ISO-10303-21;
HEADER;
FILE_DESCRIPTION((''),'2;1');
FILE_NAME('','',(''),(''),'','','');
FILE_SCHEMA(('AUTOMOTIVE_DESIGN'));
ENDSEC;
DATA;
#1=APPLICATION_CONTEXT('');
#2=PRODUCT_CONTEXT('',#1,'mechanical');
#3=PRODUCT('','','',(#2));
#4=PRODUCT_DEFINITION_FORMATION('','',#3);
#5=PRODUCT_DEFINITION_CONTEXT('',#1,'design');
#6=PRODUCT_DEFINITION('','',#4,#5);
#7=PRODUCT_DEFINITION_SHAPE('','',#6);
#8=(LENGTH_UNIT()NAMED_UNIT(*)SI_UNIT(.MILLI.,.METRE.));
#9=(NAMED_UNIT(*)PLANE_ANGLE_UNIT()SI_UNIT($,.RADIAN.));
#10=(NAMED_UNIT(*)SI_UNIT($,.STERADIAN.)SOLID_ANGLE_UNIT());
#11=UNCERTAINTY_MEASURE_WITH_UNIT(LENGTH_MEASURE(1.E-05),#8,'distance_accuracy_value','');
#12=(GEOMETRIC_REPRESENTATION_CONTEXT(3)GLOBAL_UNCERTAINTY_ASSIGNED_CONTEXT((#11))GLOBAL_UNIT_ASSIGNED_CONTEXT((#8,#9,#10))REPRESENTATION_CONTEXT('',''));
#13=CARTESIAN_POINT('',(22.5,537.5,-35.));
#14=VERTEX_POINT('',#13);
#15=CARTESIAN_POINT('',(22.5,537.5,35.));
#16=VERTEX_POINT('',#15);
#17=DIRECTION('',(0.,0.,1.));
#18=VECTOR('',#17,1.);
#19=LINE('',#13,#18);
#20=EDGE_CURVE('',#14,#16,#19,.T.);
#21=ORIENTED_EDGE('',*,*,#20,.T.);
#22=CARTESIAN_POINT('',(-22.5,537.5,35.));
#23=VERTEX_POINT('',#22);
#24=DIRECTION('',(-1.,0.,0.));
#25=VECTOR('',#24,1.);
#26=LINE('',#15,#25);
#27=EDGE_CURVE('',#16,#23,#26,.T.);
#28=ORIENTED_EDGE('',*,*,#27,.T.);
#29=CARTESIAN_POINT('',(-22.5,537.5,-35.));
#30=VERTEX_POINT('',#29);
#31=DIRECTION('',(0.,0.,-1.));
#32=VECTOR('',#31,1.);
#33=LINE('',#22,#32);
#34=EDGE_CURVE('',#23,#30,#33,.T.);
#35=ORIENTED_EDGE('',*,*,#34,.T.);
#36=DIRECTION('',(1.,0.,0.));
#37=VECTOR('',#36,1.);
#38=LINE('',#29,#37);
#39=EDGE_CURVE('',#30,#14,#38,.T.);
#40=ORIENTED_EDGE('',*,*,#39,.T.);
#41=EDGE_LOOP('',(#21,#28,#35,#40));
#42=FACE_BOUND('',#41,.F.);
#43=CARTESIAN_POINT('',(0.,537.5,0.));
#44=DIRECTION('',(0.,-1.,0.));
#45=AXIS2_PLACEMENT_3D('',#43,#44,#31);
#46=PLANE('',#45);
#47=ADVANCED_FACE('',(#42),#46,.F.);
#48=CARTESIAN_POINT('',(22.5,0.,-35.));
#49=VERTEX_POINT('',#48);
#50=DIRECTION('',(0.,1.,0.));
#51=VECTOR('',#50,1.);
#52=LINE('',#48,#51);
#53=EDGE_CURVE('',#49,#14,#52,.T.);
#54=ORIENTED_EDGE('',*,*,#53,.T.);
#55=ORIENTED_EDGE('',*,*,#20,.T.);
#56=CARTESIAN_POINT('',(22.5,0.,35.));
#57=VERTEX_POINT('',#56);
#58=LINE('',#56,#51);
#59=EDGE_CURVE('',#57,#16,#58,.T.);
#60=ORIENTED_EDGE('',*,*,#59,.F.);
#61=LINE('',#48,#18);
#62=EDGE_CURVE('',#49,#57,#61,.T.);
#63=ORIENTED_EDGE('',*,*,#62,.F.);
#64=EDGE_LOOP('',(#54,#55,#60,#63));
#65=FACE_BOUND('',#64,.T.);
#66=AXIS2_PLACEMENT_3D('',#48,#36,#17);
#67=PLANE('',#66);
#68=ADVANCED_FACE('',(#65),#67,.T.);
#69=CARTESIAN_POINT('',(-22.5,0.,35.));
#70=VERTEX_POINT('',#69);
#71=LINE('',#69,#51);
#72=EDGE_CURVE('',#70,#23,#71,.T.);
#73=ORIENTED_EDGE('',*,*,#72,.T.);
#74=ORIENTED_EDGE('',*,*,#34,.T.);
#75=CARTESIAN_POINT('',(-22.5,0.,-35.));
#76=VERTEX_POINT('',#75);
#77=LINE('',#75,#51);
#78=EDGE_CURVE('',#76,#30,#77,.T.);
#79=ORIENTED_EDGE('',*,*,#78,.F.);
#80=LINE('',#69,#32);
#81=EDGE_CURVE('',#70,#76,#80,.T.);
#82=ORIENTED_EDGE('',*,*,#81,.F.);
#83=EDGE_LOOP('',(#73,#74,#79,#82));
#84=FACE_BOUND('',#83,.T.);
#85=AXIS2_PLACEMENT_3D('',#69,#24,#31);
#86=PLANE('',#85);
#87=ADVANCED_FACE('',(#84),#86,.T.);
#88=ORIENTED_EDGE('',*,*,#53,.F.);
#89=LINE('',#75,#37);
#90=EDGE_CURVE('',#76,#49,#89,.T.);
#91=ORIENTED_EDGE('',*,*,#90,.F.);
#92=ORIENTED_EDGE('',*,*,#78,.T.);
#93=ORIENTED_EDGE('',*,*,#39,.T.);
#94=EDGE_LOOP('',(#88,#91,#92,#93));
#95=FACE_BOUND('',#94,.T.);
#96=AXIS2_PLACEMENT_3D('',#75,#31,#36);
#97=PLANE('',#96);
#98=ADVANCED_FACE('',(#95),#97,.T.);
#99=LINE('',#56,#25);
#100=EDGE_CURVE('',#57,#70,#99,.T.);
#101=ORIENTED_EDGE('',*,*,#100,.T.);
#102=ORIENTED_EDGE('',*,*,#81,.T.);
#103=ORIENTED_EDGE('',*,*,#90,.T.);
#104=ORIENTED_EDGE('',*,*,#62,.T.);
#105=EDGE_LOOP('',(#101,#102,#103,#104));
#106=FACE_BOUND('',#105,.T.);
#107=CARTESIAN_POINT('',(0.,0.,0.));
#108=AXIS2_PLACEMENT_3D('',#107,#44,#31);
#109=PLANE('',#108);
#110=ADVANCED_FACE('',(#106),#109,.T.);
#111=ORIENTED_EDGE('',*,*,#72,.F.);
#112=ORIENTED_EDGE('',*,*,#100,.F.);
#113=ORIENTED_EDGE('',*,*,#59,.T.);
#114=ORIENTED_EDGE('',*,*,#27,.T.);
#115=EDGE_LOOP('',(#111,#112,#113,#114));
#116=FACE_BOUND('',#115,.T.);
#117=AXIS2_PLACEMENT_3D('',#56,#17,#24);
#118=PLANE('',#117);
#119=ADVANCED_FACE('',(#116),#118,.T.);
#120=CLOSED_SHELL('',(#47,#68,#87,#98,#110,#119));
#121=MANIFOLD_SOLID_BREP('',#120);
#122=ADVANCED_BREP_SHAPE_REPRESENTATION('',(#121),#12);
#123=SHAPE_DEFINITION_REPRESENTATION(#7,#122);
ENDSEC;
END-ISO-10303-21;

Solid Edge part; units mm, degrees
sketch "Sketch1" plane through (0, 0, 0) normal (0, -1, 0) x (1, 0, 0)
  line L0 (-22.5, -35) -> (22.5, -35)
  line L1 (22.5, -35) -> (22.5, 35)
  line L2 (22.5, 35) -> (-22.5, 35)
  line L3 (-22.5, 35) -> (-22.5, -35)
extrude "Protrusion1" add sketch "Sketch1" against normal blind 537.5
properties material "Wood, Pine"
